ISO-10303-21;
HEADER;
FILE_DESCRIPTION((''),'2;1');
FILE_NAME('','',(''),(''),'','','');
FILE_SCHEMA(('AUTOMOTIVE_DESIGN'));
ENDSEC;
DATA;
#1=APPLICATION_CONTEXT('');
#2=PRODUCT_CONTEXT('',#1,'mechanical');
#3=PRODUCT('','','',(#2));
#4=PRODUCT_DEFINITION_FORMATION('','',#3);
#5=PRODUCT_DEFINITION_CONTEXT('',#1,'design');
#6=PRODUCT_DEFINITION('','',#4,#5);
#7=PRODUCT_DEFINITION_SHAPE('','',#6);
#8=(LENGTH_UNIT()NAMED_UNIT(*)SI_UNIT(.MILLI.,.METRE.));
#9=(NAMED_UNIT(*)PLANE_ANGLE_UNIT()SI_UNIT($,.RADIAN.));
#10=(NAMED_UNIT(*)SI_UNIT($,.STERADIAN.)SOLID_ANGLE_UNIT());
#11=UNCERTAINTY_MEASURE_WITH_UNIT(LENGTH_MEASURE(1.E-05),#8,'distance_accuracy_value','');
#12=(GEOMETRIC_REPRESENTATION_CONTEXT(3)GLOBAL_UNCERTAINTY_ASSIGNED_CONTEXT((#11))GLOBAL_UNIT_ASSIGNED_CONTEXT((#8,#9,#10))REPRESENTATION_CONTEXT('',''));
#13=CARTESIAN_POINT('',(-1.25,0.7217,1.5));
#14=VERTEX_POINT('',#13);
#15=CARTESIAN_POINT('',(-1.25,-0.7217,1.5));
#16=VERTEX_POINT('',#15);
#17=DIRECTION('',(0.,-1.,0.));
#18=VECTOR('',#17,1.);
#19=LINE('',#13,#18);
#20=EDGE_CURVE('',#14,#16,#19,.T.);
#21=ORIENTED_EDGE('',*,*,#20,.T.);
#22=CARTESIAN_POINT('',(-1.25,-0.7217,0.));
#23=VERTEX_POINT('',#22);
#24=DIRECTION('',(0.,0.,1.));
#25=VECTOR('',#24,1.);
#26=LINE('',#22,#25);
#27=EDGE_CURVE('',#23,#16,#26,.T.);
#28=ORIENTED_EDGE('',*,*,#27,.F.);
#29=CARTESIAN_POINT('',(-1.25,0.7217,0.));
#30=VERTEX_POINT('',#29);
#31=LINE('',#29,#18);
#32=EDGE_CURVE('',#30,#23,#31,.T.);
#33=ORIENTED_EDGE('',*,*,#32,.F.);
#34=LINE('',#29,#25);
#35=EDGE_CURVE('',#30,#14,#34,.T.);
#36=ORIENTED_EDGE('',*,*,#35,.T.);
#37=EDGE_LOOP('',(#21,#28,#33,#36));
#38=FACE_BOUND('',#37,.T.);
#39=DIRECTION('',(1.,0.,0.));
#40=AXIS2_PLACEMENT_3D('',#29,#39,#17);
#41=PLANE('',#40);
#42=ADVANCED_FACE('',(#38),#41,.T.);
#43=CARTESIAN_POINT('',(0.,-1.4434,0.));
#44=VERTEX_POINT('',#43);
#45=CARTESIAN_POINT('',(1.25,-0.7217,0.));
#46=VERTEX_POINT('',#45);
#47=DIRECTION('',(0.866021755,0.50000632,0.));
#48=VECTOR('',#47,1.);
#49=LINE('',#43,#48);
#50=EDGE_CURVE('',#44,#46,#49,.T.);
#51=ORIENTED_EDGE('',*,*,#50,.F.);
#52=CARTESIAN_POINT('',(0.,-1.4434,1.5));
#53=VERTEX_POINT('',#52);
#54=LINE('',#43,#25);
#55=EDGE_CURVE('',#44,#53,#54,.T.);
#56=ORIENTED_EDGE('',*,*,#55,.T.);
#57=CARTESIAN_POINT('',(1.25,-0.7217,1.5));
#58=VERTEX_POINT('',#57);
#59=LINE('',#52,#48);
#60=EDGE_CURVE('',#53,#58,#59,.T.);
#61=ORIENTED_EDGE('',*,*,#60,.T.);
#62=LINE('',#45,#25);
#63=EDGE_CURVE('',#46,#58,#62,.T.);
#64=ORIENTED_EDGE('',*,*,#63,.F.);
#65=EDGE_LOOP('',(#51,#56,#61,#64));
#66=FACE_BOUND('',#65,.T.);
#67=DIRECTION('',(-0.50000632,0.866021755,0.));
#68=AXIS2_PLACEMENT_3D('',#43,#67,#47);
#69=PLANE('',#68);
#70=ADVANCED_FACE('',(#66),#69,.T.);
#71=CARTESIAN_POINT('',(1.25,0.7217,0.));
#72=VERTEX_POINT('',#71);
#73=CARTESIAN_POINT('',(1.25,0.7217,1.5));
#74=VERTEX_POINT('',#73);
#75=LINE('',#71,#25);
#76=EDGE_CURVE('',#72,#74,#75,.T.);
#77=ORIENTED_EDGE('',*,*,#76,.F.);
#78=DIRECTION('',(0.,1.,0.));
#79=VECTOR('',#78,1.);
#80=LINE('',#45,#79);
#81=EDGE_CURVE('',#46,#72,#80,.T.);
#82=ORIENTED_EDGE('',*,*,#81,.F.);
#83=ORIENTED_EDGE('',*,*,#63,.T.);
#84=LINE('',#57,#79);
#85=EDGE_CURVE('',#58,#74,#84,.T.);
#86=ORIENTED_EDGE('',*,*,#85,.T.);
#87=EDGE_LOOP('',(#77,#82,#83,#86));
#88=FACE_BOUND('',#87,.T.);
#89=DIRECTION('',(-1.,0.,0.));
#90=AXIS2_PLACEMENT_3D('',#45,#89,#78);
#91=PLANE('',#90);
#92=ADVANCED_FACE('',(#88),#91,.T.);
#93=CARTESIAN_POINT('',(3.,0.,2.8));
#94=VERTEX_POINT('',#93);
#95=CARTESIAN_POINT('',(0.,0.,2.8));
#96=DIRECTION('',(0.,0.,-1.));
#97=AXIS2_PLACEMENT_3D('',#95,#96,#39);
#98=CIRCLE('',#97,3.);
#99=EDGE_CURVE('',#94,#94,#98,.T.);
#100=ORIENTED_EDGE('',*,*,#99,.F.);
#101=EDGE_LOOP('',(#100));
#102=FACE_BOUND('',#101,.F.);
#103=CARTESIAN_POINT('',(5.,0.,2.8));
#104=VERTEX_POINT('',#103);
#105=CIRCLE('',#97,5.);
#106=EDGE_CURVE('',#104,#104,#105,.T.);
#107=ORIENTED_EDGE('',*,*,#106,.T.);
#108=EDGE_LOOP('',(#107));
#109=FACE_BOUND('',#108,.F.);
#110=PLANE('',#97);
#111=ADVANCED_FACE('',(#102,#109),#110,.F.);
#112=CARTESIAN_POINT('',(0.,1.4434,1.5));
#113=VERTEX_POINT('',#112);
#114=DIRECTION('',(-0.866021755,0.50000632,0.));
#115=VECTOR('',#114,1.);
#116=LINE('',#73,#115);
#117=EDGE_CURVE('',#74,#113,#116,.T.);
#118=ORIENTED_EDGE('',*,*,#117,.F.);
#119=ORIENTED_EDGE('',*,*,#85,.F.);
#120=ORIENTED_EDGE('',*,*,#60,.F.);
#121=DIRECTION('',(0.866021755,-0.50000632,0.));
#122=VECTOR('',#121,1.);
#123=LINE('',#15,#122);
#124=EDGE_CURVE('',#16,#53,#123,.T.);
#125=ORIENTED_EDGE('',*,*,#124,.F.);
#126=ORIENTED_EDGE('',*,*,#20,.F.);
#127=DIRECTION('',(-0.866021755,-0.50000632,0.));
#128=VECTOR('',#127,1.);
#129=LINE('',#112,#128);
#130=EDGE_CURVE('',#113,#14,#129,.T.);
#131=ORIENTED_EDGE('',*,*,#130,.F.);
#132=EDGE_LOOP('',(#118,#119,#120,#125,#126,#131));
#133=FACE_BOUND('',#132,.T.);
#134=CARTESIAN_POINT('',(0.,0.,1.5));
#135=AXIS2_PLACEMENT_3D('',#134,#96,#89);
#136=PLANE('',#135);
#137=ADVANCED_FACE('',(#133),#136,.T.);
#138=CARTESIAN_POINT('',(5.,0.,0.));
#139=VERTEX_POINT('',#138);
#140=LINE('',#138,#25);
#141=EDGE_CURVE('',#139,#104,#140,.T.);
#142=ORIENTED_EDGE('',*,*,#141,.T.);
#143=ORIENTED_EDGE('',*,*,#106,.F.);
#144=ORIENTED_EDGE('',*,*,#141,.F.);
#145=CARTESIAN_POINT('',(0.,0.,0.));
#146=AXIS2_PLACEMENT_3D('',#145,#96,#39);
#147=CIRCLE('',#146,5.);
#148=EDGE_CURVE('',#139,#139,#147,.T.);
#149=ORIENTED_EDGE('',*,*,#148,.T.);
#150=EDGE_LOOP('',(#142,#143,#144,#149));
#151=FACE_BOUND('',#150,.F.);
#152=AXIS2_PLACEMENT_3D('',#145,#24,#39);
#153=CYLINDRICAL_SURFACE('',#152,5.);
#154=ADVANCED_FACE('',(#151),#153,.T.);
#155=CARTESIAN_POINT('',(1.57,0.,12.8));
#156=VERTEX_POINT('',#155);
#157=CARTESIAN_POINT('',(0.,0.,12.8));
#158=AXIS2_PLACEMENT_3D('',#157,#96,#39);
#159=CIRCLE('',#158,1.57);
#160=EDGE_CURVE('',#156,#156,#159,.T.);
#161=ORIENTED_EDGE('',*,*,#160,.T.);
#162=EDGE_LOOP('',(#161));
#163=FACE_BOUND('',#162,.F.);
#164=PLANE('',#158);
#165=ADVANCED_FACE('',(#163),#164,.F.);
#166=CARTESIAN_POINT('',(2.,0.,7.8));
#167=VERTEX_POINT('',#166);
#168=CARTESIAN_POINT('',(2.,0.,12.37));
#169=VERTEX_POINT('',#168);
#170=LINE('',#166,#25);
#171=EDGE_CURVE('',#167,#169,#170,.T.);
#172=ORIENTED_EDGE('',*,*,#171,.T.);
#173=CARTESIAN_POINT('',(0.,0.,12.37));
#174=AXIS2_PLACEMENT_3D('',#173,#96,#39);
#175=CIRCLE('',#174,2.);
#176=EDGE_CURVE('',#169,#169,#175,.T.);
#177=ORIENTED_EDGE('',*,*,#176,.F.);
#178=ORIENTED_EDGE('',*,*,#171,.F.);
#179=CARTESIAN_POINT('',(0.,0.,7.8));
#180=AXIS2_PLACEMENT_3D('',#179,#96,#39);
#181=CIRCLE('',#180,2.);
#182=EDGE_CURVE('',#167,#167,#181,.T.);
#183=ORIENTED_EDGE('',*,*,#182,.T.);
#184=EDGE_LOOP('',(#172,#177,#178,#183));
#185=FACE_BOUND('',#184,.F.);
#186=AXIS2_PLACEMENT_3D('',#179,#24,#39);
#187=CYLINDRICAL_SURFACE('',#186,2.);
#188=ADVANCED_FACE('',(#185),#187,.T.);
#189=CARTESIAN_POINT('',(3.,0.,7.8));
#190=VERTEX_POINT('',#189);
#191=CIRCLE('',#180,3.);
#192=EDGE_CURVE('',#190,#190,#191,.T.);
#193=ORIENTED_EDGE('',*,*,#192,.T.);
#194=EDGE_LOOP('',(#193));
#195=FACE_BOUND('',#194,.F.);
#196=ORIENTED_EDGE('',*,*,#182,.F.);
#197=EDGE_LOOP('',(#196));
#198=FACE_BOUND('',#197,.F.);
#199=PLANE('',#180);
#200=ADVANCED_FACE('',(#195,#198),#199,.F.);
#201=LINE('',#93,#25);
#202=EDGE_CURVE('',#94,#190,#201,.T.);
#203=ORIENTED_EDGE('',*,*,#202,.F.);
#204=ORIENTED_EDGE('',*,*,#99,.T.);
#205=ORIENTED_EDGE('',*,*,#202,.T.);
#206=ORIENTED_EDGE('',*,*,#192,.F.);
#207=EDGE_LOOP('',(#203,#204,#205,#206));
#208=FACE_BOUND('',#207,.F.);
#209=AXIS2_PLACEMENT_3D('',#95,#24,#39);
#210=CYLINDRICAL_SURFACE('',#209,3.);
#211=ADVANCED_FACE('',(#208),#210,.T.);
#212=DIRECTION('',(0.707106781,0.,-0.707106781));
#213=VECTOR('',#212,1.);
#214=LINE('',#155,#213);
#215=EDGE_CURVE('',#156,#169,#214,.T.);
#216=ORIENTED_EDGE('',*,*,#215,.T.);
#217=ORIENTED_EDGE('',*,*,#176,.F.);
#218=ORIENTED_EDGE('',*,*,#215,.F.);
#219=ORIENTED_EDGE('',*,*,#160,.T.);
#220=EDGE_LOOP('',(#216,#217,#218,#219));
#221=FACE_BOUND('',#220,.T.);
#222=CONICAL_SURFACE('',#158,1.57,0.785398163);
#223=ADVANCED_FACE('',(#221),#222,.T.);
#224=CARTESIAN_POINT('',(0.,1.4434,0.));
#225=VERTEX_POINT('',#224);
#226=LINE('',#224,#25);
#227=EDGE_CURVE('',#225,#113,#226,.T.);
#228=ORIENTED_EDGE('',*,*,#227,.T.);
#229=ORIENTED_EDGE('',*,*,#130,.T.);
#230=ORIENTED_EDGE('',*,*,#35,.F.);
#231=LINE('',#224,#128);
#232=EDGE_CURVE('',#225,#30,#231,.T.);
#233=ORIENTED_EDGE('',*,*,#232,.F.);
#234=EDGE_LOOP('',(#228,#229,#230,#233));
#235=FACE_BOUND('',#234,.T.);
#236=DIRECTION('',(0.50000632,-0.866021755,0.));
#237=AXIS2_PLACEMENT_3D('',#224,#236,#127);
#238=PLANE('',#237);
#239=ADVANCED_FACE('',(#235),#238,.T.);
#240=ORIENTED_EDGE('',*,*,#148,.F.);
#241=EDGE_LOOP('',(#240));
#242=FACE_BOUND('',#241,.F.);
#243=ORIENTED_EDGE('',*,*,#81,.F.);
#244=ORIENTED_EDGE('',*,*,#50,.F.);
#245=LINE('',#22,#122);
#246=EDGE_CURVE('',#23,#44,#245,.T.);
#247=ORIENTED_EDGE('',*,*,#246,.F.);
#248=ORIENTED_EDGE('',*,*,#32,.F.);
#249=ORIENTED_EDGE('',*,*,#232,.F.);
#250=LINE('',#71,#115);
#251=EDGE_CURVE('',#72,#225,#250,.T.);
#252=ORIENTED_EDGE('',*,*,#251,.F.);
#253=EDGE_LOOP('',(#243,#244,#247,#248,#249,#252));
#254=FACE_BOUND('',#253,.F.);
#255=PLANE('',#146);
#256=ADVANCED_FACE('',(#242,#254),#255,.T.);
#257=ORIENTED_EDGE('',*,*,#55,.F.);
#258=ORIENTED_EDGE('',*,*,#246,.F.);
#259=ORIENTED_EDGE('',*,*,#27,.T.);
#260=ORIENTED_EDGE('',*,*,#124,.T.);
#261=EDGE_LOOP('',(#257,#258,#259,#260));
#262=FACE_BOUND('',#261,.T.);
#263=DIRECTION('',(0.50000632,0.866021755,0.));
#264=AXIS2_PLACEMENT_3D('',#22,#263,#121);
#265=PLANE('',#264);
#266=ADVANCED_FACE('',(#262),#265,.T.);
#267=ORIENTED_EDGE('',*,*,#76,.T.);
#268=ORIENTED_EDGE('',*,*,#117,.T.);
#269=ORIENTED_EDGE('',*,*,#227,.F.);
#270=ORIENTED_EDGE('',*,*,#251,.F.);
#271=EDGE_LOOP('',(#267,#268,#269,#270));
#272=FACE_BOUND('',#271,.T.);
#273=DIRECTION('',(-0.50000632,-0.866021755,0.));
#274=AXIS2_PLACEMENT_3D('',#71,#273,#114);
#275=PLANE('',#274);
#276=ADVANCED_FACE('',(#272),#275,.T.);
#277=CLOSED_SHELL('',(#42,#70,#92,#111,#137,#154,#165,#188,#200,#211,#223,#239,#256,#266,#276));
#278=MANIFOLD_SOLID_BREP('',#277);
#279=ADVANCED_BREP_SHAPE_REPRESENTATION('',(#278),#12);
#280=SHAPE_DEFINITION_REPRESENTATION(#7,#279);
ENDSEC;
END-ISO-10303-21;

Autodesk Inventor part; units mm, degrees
ref_plane "YZ Plane" through (0, 0, 0) normal (1, 0, 0) x (0, 1, 0)
ref_plane "XZ Plane" through (0, 0, 0) normal (0, 1, 0) x (-1, 0, 0)
ref_plane "XY Plane" through (0, 0, 0) normal (0, 0, 1) x (1, 0, 0)
sketch "スケッチ1" plane through (0, 0, 0) normal (0, 1, 0) x (-1, 0, 0)
  line L0 (0, 0) -> (-5, 0)
  line L1 (-5, 0) -> (-5, 2.8)
  line L2 (-5, 2.8) -> (-3, 2.8)
  line L3 (-3, 2.8) -> (-3, 7.8)
  line L4 (-3, 7.8) -> (-2, 7.8)
  line L5 (-2, 7.8) -> (-2, 12.37)
  line L6 (-1.57, 12.8) -> (0, 12.8)
  line L7 (0, 12.8) -> (0, 0)
  line L8 (-1.57, 12.8) -> (-2, 12.37)
  point P0 (-2, 12.8)
  dimension "d0" = 5
  dimension "d1" = 5
  dimension "d2" = 2.8
  dimension "d3" = 0.43
  dimension "d4" = 0.43
  dimension "d5" = 4
  dimension "d6" = 10
  dimension "d7" = 6
revolve "回転1" add sketch "スケッチ1" angle 360 about axis through (0, 0, 12.8) along (0, 0, -1)
thread "ねじ1" size "M4x0.7" class "6g" standard "ANSI Metric M Profile" length 7.57 offset 1.2
sketch "スケッチ2" plane through (0, 0, 0) normal (0, 0, -1) x (-1, 0, 0)
  line L0 (0, -1.4434) -> (-1.25, -0.7217)
  line L1 (-1.25, -0.7217) -> (-1.25, 0.7217)
  line L2 (-1.25, 0.7217) -> (0, 1.4434)
  line L3 (0, 1.4434) -> (1.25, 0.7217)
  line L4 (1.25, 0.7217) -> (1.25, -0.7217)
  line L5 (1.25, -0.7217) -> (0, -1.4434)
  point P0 (0, 0)
  point P1 (0, 0)
  dimension "d11" = 2.5
extrude "押し出し1" cut sketch "スケッチ2" against normal blind 1.5
equation "\"d4\" = d3"
properties part number "DBTS4-5-5-DHC" material "ステンレス鋼 AISI 304"
